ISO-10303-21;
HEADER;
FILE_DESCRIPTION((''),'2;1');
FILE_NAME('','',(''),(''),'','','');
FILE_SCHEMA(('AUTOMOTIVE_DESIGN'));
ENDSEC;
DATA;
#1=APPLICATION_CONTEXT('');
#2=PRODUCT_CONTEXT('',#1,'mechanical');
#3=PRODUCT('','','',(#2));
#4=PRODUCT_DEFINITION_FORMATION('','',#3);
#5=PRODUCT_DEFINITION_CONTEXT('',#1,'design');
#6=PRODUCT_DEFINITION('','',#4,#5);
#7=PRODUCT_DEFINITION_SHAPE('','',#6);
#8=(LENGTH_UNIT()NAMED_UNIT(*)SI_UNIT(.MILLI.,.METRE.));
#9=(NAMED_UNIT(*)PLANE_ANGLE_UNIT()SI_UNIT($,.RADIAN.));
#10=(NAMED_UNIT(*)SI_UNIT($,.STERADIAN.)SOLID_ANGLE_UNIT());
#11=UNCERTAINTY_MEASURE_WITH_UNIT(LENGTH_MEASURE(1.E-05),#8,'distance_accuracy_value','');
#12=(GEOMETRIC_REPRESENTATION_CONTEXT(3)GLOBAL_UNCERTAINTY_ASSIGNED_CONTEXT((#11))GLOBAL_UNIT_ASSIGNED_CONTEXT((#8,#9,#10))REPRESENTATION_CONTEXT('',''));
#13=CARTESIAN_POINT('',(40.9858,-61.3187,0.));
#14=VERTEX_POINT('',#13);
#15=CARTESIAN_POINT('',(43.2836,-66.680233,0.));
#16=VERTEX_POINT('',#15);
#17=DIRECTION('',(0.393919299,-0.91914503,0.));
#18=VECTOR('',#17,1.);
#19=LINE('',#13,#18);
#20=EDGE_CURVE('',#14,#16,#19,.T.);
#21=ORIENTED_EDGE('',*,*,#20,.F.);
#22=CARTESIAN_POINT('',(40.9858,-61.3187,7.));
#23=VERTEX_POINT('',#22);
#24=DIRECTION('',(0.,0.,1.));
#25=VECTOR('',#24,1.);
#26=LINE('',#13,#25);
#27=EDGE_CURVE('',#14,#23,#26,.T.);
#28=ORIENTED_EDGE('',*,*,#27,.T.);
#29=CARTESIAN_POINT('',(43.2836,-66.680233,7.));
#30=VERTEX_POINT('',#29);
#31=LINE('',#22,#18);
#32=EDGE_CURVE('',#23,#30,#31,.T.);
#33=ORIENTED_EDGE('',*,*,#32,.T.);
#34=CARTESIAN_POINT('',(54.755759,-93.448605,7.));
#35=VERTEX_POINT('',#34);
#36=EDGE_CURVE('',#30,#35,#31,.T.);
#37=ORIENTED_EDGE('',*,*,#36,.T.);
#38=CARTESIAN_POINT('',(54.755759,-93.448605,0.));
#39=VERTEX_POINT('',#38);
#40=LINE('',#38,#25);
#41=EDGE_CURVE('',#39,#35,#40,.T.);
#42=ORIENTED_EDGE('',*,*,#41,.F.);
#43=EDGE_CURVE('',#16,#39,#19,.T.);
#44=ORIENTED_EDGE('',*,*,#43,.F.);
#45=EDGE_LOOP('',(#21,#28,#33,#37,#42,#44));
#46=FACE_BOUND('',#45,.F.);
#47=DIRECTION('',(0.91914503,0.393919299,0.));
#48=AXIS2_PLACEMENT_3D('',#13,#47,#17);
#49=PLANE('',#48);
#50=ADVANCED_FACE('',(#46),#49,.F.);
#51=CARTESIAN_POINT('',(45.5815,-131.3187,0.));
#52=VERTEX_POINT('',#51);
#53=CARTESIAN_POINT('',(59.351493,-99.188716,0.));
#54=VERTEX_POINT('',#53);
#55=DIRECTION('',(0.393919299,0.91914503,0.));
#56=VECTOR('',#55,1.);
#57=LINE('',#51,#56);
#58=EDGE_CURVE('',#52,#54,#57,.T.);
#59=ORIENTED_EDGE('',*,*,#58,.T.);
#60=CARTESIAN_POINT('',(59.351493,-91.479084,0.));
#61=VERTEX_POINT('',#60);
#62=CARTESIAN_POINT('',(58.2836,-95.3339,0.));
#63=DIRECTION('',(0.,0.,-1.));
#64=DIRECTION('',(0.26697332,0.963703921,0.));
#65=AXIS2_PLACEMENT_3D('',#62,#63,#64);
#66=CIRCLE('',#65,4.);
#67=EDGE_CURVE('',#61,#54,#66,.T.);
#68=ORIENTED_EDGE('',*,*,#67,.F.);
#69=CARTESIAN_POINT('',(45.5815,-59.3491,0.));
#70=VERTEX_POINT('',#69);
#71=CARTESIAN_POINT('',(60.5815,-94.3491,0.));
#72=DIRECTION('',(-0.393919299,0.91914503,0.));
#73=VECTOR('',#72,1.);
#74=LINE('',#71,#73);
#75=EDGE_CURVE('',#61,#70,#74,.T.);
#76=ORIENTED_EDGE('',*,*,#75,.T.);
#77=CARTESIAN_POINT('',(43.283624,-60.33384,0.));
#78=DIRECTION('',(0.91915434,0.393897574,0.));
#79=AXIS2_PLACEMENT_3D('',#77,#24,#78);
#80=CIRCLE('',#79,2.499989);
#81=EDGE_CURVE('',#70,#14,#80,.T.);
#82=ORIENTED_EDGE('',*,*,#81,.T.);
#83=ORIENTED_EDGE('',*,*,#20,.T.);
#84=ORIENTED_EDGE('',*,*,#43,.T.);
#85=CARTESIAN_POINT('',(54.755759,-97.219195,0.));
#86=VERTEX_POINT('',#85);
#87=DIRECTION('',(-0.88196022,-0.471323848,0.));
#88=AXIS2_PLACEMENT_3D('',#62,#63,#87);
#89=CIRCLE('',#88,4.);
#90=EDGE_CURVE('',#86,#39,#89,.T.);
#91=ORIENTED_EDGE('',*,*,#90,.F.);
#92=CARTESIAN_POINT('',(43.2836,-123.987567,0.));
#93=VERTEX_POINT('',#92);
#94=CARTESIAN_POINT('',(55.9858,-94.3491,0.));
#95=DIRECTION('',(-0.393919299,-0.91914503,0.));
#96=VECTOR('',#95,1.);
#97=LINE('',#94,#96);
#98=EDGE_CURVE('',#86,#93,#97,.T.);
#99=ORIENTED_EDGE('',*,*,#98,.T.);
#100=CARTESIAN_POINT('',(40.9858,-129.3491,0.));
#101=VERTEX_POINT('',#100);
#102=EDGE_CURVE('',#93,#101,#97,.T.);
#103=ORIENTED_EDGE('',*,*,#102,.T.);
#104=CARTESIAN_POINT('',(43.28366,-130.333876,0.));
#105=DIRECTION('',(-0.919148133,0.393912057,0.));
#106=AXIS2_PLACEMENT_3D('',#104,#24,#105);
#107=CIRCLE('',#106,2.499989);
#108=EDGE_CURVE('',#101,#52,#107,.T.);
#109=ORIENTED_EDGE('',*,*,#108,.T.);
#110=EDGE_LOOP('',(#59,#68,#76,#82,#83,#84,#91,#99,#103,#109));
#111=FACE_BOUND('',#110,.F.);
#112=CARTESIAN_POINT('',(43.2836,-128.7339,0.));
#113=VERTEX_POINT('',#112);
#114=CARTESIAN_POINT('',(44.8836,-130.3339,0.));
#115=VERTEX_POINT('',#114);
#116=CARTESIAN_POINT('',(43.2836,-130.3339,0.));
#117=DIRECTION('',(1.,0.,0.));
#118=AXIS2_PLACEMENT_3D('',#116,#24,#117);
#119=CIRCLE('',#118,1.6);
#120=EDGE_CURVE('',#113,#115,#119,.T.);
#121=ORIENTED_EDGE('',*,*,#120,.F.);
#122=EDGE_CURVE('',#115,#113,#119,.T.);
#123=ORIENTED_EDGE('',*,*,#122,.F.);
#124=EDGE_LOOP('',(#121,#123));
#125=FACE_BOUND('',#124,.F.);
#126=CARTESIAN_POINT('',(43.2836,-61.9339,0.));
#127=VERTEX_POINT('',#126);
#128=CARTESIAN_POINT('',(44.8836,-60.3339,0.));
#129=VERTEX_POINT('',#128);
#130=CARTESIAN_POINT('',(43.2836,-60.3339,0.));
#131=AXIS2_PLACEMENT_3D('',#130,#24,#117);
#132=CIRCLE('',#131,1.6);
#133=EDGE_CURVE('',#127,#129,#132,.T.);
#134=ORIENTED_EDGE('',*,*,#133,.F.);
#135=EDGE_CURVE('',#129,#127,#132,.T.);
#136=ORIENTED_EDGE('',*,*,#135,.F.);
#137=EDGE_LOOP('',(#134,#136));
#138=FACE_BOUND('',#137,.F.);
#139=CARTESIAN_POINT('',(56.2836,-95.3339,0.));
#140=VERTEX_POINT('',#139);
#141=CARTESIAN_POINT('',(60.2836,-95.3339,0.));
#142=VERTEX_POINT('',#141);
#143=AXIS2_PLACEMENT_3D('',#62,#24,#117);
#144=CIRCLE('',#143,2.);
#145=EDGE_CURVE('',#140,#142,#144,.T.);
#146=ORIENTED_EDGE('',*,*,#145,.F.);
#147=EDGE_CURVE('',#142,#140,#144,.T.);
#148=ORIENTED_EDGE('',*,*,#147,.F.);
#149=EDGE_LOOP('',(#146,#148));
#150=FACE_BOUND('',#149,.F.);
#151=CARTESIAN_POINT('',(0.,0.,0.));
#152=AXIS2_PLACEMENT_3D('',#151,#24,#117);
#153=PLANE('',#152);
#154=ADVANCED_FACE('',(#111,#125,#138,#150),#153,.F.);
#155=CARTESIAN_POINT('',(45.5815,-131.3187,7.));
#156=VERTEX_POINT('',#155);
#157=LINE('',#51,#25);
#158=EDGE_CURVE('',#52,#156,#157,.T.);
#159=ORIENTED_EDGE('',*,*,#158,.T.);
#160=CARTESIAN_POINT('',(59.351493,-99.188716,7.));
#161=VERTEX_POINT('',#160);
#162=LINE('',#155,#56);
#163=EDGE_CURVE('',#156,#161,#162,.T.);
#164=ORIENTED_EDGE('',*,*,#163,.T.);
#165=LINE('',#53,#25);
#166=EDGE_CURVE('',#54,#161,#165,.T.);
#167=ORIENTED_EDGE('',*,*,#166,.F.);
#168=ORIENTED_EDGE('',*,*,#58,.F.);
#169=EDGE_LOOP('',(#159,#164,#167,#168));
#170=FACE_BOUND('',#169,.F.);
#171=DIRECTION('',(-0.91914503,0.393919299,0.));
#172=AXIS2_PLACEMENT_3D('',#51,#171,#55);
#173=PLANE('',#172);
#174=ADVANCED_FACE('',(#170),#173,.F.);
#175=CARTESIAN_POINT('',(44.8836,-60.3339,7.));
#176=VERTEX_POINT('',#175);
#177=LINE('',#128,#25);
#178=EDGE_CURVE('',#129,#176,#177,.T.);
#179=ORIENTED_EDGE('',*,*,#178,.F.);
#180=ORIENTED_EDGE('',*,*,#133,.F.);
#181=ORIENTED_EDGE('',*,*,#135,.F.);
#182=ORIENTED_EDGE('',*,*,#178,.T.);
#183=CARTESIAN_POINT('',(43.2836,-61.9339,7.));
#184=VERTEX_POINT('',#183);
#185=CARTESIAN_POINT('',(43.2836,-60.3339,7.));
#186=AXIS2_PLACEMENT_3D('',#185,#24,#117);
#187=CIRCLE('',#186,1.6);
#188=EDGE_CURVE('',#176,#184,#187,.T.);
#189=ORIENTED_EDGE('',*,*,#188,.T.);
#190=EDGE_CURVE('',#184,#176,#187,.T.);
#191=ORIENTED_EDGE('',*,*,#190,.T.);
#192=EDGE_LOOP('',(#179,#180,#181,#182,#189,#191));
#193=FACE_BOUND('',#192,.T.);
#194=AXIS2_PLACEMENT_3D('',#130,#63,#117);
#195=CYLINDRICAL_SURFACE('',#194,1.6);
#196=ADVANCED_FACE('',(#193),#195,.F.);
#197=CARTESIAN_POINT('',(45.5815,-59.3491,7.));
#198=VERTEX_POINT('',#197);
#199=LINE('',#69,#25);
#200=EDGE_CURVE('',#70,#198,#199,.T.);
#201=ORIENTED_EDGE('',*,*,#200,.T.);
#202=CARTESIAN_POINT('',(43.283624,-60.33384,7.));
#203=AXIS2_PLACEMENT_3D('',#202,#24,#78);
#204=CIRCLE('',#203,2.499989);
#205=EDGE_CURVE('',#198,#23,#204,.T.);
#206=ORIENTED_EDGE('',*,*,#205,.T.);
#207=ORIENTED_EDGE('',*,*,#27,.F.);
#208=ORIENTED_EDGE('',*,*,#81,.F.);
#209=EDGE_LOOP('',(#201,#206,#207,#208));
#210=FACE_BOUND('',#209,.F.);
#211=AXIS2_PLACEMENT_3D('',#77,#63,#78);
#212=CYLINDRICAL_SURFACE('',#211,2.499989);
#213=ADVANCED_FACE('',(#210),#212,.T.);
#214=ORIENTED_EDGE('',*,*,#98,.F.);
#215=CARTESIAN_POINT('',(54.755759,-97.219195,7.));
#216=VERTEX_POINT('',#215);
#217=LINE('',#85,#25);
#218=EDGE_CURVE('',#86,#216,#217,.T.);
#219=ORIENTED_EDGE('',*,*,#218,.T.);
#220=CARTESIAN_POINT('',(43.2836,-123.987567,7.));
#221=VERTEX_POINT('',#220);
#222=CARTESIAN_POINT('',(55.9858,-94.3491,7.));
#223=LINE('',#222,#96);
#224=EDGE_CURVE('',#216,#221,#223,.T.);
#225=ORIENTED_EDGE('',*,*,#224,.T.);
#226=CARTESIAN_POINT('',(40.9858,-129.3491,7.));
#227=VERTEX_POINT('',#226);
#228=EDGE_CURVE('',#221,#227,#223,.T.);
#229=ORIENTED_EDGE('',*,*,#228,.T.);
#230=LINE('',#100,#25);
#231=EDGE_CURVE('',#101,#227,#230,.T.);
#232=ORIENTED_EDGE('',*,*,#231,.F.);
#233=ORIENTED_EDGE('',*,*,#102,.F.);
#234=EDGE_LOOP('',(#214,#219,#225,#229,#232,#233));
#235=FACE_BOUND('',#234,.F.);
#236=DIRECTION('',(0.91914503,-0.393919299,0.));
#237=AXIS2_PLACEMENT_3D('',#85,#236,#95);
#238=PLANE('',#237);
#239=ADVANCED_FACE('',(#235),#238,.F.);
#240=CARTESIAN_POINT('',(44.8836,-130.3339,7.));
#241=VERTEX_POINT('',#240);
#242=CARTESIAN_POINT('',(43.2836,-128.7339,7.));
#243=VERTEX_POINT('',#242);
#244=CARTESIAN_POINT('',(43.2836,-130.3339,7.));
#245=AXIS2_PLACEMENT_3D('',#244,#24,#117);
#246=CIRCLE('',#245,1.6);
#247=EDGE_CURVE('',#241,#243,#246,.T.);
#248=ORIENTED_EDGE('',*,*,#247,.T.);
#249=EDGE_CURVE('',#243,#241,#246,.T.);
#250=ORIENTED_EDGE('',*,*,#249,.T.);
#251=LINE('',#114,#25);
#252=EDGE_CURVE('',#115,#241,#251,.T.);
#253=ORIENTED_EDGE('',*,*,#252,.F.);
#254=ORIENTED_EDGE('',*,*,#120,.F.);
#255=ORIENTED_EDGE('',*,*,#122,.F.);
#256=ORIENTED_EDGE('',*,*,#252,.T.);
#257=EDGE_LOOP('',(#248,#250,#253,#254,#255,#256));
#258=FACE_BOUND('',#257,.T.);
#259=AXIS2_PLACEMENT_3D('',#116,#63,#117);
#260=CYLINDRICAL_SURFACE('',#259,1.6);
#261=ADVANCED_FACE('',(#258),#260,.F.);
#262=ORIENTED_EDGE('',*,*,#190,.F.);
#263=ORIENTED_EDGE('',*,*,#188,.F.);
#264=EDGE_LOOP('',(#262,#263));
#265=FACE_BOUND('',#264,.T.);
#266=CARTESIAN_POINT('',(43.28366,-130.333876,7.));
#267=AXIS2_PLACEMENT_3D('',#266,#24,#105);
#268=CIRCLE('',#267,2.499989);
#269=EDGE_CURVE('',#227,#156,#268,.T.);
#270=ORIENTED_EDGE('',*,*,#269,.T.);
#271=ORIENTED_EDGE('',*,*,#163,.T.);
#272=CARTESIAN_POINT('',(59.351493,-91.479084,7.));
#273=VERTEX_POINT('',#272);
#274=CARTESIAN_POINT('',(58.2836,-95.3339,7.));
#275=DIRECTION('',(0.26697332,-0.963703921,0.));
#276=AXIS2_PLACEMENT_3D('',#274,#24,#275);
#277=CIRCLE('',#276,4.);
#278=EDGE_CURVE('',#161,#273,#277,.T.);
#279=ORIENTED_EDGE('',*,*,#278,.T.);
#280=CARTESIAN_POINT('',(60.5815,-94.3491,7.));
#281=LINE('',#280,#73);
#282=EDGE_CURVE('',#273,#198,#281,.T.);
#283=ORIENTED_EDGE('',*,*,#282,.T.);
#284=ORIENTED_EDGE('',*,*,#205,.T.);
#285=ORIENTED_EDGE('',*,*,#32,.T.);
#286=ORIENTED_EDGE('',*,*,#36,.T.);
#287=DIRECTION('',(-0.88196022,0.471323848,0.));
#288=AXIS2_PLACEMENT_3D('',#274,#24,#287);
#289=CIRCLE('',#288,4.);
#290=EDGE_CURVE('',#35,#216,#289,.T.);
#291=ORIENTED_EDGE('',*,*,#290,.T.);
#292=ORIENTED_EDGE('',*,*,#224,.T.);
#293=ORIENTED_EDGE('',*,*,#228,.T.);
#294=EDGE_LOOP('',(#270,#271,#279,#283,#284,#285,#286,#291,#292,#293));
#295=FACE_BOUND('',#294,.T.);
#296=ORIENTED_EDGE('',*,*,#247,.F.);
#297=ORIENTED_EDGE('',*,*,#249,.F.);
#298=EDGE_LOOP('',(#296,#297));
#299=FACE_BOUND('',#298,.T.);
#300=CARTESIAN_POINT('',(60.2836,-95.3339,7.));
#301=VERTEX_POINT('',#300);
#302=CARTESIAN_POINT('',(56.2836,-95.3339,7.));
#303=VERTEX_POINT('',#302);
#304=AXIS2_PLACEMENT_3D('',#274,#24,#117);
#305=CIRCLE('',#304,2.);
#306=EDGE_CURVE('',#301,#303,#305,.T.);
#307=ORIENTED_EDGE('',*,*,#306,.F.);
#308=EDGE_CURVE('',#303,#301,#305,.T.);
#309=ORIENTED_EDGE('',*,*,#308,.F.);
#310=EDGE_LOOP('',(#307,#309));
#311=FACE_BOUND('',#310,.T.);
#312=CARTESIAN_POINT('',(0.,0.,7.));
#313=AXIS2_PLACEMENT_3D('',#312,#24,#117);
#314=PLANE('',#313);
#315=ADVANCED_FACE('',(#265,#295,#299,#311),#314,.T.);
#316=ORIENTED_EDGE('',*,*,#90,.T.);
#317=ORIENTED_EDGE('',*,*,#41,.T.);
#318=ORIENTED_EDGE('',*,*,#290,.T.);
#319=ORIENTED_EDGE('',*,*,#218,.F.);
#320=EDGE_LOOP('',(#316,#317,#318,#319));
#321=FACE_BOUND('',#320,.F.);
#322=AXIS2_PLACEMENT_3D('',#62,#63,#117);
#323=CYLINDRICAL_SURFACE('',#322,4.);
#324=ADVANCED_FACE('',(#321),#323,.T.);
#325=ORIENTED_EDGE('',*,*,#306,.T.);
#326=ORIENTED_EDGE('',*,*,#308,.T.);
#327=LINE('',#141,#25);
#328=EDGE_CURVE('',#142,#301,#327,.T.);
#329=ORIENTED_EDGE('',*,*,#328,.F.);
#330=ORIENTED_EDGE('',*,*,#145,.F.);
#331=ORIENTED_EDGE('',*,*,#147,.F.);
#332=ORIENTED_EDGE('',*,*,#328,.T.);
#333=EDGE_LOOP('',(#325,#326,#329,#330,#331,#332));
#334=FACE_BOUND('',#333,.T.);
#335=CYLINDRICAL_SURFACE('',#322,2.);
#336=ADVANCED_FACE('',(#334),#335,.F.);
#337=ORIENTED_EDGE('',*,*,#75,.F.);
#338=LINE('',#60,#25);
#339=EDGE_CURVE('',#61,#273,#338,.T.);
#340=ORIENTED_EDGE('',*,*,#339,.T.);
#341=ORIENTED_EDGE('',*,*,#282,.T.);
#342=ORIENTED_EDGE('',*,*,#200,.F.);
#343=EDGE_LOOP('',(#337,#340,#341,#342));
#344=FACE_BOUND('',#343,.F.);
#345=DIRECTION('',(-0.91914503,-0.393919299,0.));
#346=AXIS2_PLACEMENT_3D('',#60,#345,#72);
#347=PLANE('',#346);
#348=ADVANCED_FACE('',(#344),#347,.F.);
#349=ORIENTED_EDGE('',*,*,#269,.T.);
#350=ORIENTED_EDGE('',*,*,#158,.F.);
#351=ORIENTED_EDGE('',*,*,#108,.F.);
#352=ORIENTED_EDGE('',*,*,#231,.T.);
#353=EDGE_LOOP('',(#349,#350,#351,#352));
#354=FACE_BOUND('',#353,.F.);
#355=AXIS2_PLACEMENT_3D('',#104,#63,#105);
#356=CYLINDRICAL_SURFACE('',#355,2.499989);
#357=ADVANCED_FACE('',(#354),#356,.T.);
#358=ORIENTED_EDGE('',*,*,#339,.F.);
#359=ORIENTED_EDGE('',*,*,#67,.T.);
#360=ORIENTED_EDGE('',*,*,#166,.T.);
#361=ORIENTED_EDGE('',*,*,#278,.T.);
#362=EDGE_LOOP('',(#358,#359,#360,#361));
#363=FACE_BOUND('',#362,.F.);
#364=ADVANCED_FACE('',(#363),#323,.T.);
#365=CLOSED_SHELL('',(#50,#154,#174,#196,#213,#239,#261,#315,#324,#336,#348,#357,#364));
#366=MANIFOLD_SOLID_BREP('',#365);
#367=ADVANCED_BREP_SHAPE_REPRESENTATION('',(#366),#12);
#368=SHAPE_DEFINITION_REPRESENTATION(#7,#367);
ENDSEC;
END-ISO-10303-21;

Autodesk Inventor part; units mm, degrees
ref_plane "YZ Plane" through (0, 0, 0) normal (1, 0, 0) x (0, 1, 0)
ref_plane "XZ Plane" through (0, 0, 0) normal (0, 1, 0) x (-1, 0, 0)
ref_plane "XY Plane" through (0, 0, 0) normal (0, 0, 1) x (1, 0, 0)
ref_plane "РабПлоскость1" through (0, 0, 0) normal (0, 0, 1) x (1, 0, 0)
sketch "Эскиз1" plane through (0, 0, 0) normal (0, 0, 1) x (1, 0, 0)
  circle A0 centre (43.2836, -60.3339) radius 1.5 projected
  circle A1 centre (43.2836, -130.3339) radius 1.5 projected
  circle A2 centre (43.2836, -60.3339) radius 1.6
  circle A3 centre (43.2836, -130.3339) radius 1.6
  line L0 (43.2836, -60.3339) -> (43.2836, -130.3339)
  line L1 (43.2836, -95.3339) -> (58.2836, -95.3339)
  circle A4 centre (58.2836, -95.3339) radius 2
  circle A5 centre (58.2836, -95.3339) radius 4
  line L2 (58.2836, -95.3339) -> (43.2836, -60.3339) construction
  line L3 (60.5815, -94.3491) -> (45.5815, -59.3491)
  line L4 (40.9858, -61.3187) -> (55.9858, -96.3187)
  arc A6 (55.9858, -96.3187) -> (60.5815, -94.3491) centre (58.2836, -95.3339) ccw
  arc A7 (45.5815, -59.3491) -> (40.9858, -61.3187) centre (43.2836, -60.3339) ccw
  line L5 (58.2836, -95.3339) -> (43.2836, -130.3339) construction
  line L6 (55.9858, -94.3491) -> (40.9858, -129.3491)
  line L7 (45.5815, -131.3187) -> (60.5815, -96.3187)
  arc A8 (60.5815, -96.3187) -> (55.9858, -94.3491) centre (58.2836, -95.3339) ccw
  arc A9 (40.9858, -129.3491) -> (45.5815, -131.3187) centre (43.2836, -130.3339) ccw
  point P0 (0, 0)
  point P1 (50.7836, -77.8339)
  point P2 (50.7836, -112.8339)
  point P3 (59.3515, -99.1887)
  point P4 (59.3515, -91.4791)
  point P5 (54.7558, -93.4487)
  point P6 (54.7558, -97.2191)
  dimension "d0" = 3.2
  dimension "d1" = 3.2
  dimension "d2" = 15
  dimension "d3" = 4
  dimension "d4" = 8
  dimension "d5" = 5
  dimension "d6" = 5
extrude "Выдавливание1" add sketch "Эскиз1" along normal blind 7 contours L4 A7 L3 A5 | L4 L1 A5 | A5 L3 A8 L6 L4 | L6 A5 L7 A9 | L1 L6 A5 | A5 L7 A6 L3 | L6 A8 A6 L4 | L4 A6 L7 A5 L6
properties part number "Шаблон"
